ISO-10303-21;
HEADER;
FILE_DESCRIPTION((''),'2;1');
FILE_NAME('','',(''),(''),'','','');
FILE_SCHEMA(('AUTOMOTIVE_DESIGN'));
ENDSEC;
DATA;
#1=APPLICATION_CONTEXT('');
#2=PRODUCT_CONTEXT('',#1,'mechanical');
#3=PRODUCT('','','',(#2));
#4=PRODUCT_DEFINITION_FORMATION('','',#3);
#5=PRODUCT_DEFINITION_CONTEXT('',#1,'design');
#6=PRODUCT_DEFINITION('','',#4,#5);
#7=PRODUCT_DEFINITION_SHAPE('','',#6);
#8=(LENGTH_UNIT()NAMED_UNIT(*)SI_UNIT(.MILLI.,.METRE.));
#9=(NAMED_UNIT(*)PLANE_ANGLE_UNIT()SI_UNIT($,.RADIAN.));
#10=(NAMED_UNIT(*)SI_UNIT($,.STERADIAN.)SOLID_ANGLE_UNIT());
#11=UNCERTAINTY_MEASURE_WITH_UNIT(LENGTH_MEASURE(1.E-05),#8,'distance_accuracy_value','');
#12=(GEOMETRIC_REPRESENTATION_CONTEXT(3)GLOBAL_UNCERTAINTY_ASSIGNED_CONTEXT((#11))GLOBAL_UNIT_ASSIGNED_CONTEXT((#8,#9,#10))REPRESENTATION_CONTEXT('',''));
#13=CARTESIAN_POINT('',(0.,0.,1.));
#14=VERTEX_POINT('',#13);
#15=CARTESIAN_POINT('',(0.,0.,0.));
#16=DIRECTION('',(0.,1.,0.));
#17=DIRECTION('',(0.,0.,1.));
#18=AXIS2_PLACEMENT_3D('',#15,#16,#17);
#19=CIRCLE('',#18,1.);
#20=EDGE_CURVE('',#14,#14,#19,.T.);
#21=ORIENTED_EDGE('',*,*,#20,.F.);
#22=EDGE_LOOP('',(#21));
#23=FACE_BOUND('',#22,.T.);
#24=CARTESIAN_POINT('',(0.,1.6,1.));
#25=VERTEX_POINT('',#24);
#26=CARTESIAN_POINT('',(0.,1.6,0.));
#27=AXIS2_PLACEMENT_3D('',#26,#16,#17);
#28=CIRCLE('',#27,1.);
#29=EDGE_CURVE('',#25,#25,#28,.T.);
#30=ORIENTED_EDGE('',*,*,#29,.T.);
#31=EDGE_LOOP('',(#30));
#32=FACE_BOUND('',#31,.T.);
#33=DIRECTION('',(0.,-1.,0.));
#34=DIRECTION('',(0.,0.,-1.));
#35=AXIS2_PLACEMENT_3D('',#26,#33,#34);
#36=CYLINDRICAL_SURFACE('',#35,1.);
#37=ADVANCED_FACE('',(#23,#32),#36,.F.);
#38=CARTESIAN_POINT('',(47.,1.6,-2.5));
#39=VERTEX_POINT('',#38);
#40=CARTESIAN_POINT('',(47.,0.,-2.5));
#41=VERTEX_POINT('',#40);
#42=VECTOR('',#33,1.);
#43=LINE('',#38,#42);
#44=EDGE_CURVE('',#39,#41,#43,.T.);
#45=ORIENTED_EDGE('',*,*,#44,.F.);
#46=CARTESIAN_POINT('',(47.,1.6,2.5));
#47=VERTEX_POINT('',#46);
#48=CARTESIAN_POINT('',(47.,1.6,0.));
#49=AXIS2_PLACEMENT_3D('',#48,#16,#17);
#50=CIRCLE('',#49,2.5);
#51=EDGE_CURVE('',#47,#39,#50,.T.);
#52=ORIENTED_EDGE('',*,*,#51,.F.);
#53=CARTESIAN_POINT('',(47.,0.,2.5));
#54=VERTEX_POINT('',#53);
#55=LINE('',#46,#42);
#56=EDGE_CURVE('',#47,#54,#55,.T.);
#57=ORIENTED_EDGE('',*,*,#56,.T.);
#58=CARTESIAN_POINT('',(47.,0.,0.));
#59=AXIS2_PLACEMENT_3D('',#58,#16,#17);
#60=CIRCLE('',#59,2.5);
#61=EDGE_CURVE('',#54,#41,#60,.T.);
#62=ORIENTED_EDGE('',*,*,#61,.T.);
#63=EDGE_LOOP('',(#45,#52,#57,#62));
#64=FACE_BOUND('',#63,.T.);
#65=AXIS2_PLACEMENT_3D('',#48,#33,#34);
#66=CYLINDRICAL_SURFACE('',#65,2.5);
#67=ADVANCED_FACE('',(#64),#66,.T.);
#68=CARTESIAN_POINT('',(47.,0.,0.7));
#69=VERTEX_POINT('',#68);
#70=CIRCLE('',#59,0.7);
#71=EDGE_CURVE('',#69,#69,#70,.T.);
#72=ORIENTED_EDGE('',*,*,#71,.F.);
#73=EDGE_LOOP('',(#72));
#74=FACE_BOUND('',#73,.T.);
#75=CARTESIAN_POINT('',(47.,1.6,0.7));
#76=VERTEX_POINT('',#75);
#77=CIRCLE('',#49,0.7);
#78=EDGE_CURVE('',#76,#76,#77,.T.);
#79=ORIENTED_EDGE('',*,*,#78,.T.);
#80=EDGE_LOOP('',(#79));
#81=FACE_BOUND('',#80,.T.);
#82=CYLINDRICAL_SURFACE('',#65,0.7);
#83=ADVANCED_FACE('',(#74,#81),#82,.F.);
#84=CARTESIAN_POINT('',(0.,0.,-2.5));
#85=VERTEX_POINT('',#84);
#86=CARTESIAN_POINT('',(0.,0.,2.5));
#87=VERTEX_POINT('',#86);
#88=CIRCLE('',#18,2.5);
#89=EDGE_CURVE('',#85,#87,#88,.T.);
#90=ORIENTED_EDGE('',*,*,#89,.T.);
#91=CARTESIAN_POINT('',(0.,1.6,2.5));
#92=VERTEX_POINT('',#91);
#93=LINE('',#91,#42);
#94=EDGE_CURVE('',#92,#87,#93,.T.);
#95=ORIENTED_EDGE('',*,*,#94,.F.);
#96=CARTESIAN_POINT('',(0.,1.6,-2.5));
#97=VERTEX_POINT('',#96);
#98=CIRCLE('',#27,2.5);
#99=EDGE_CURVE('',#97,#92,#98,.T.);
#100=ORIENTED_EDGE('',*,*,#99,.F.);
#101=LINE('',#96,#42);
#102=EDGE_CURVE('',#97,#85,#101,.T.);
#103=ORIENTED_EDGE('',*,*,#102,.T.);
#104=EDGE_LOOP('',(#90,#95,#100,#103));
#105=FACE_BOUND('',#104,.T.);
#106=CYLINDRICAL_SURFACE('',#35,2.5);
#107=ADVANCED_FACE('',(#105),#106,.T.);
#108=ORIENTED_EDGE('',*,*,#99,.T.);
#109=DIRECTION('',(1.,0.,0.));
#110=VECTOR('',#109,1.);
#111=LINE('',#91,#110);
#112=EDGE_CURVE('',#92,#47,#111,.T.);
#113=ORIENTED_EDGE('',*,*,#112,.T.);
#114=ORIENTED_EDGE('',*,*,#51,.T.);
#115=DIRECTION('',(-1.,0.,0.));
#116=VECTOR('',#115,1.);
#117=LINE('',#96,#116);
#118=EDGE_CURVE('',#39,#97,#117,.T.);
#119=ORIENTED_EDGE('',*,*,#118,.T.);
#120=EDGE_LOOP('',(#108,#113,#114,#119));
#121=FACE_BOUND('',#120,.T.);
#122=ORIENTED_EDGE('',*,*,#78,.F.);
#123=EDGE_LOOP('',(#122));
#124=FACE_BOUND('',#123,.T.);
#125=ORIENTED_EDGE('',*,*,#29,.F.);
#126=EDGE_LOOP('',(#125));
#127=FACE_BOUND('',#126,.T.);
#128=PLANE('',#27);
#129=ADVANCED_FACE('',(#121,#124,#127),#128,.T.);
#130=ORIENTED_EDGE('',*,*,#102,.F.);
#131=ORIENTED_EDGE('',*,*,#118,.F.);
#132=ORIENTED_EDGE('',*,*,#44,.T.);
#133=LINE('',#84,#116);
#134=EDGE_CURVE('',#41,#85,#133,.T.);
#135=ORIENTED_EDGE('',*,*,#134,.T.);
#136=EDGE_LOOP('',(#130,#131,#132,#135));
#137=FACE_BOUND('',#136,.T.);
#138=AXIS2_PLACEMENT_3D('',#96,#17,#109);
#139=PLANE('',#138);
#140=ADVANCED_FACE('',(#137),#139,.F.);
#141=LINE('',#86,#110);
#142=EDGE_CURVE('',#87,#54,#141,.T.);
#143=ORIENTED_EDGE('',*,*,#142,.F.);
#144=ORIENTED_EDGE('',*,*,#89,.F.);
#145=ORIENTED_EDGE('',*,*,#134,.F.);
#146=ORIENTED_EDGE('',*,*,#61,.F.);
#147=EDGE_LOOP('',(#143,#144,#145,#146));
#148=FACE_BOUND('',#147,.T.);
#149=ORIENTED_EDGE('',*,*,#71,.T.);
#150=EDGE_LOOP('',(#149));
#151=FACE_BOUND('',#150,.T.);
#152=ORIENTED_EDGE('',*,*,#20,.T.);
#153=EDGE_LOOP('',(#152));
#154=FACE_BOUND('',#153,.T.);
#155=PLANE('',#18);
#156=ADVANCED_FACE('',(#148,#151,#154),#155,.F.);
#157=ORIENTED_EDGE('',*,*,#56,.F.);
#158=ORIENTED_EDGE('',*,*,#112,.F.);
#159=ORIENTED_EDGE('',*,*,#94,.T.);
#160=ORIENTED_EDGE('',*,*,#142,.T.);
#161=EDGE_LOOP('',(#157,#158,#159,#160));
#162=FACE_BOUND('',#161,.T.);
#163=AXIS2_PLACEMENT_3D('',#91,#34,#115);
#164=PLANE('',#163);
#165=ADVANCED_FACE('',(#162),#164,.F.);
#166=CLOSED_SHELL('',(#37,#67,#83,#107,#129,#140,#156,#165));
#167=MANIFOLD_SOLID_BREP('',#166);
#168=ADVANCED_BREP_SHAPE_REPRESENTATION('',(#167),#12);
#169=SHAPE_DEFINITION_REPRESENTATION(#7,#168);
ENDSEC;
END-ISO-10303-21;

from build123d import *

# Parameters (mm, degrees)
SKETCH_1_R      = 1
SKETCH_1_R_2    = 0.7
EXTRUDE_1_DEPTH = 1.6


with BuildPart() as part:
    # 草图1 → 凸台-拉伸1 (new body)
    with BuildSketch(Plane(origin=(0, 0, 0), x_dir=(1, 0, 0), z_dir=(0, 1, 0))):
        with BuildLine():
            Line((0, 2.5), (47, 2.5))
            ThreePointArc((47, 2.5), (49.5, 0), (47, -2.5))
            Line((47, -2.5), (0, -2.5))
            ThreePointArc((0, -2.5), (-2.5, 0), (0, 2.5))
        make_face()
        Circle(SKETCH_1_R, mode=Mode.SUBTRACT)
        with Locations((47, 0)):
            Circle(SKETCH_1_R_2, mode=Mode.SUBTRACT)
    extrude(amount=EXTRUDE_1_DEPTH)


solid = part.part
